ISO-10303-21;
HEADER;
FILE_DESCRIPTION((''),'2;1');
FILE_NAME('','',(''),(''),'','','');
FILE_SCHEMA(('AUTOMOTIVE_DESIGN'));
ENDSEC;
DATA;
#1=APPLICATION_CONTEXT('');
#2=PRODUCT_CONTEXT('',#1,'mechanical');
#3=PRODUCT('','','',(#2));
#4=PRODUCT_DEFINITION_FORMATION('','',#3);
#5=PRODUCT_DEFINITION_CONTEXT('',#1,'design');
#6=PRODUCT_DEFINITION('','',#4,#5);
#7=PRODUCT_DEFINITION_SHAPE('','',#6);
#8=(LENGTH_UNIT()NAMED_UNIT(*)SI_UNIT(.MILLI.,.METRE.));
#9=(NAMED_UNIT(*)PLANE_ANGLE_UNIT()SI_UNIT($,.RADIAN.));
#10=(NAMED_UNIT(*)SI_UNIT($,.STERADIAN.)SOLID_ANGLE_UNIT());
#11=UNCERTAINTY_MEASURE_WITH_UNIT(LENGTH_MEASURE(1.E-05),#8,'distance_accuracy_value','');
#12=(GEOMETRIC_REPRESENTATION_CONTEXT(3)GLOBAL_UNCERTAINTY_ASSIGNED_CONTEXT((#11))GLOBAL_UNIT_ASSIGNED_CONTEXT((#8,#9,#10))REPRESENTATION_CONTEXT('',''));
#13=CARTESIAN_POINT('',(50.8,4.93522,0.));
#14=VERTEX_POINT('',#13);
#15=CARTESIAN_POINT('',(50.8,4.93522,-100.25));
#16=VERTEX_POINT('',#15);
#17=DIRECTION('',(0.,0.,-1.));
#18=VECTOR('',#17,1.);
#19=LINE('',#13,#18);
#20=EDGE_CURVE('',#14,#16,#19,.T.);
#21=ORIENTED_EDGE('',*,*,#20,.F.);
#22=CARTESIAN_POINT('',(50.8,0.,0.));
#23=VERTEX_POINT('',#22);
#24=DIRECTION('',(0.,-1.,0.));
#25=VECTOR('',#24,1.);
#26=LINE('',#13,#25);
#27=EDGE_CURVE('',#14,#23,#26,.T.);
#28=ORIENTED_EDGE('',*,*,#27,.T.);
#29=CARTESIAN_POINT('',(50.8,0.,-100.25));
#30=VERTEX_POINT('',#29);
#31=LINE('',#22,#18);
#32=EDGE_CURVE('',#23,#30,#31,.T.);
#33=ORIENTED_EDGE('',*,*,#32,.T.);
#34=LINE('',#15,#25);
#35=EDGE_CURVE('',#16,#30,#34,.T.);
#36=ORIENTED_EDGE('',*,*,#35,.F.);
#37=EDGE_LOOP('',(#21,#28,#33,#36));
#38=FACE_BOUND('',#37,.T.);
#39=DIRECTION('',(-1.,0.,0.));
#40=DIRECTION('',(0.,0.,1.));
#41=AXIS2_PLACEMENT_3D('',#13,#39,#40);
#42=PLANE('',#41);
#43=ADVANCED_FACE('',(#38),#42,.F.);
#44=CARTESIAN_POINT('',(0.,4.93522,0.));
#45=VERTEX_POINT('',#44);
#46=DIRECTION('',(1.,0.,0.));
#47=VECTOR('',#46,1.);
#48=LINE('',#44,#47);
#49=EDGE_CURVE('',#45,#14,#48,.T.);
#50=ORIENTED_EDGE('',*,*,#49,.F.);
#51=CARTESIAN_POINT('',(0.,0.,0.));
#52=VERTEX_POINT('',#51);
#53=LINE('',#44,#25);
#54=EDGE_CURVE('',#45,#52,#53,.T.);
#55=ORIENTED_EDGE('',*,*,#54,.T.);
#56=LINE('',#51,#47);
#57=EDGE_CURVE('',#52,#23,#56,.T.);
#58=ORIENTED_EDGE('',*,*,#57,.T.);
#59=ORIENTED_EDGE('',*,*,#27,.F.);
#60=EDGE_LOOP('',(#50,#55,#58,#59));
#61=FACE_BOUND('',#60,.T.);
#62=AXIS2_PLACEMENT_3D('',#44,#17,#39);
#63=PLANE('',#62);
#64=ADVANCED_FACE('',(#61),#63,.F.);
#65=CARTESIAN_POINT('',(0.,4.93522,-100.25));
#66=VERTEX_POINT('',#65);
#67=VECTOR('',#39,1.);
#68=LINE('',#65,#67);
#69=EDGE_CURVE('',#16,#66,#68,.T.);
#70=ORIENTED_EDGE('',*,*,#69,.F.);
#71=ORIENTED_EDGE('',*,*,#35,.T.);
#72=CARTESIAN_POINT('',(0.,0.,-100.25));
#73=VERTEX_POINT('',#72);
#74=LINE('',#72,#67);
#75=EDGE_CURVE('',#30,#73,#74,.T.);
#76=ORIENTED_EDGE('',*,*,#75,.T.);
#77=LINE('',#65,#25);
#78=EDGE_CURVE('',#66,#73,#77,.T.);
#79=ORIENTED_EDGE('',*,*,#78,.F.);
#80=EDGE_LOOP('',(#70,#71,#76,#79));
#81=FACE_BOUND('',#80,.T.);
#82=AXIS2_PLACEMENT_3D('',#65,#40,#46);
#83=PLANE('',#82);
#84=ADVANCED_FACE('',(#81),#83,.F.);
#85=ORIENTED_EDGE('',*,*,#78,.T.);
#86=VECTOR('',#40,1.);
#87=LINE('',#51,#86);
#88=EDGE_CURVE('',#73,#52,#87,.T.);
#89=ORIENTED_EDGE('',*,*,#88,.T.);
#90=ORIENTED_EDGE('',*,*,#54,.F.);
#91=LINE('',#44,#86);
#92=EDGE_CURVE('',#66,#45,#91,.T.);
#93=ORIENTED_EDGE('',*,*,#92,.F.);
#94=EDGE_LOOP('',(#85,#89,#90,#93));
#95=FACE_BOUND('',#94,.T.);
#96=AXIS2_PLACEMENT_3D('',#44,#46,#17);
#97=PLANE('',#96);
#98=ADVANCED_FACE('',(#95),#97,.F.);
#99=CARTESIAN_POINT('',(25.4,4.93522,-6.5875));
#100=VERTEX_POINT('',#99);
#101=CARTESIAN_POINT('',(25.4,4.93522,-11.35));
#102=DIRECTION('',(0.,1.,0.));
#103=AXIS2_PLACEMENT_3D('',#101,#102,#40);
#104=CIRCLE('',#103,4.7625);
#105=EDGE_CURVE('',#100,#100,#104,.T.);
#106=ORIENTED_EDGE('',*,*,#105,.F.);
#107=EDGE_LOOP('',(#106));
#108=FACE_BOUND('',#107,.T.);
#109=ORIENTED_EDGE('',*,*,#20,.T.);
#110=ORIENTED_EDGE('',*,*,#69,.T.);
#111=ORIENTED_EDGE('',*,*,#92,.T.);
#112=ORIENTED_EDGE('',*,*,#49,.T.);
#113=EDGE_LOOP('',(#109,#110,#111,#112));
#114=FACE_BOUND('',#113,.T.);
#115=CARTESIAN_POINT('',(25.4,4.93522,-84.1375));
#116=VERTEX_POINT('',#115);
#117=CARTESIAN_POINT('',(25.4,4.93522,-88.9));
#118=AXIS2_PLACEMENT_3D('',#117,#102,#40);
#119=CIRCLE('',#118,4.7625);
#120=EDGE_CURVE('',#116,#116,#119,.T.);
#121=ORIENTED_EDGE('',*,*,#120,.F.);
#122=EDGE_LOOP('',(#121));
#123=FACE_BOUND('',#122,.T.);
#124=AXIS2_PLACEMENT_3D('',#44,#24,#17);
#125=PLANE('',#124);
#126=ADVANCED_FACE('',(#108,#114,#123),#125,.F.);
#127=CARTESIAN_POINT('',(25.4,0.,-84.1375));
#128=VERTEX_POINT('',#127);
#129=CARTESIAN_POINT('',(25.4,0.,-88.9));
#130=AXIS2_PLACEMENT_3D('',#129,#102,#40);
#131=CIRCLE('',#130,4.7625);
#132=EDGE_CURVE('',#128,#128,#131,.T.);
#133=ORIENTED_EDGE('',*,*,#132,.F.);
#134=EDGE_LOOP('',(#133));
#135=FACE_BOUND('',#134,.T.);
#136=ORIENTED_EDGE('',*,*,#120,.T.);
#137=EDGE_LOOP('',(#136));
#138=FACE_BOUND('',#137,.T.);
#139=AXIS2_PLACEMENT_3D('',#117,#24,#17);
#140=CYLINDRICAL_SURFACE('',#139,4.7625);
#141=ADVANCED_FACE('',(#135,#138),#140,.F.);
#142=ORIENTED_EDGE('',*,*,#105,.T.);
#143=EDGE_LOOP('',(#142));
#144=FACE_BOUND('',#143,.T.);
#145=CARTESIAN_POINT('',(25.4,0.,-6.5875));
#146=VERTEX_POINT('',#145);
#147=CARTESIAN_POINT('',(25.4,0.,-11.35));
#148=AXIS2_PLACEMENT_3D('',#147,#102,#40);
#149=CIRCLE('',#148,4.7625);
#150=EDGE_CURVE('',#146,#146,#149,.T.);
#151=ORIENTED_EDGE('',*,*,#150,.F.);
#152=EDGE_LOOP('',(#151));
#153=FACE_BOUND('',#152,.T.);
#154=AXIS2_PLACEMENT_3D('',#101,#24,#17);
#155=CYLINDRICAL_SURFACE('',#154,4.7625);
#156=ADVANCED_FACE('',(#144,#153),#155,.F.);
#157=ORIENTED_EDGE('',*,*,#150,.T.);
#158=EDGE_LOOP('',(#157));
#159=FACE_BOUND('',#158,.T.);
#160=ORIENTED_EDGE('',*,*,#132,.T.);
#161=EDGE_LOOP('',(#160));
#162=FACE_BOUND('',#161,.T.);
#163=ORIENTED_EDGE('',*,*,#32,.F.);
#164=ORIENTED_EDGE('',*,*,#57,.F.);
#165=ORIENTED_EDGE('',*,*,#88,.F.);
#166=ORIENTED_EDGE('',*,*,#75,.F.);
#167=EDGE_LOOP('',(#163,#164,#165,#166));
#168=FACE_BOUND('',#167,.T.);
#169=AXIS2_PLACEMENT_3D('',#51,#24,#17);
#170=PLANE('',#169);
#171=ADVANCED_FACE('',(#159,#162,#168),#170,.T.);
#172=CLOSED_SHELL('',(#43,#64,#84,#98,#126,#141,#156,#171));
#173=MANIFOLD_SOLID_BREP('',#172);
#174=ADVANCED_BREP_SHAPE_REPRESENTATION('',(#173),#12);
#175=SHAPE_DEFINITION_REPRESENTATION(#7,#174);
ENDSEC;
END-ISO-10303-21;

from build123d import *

# Parameters (mm, degrees)
SKETCH1_W    = 50.8
SKETCH1_H    = 100.25
SKETCH1_R    = 4.7625
HAMMER_DEPTH = 4.93522


with BuildPart() as part:
    # Sketch1 → Hammer (new body)
    with BuildSketch(Plane(origin=(0, 0, 0), x_dir=(1, 0, 0), z_dir=(0, 1, 0))):
        with Locations((25.4, 50.125)):
            Rectangle(SKETCH1_W, SKETCH1_H)
        with Locations((25.4, 11.35)):
            Circle(SKETCH1_R, mode=Mode.SUBTRACT)
        with Locations((25.4, 88.9)):
            Circle(SKETCH1_R, mode=Mode.SUBTRACT)
    extrude(amount=HAMMER_DEPTH)


solid = part.part
